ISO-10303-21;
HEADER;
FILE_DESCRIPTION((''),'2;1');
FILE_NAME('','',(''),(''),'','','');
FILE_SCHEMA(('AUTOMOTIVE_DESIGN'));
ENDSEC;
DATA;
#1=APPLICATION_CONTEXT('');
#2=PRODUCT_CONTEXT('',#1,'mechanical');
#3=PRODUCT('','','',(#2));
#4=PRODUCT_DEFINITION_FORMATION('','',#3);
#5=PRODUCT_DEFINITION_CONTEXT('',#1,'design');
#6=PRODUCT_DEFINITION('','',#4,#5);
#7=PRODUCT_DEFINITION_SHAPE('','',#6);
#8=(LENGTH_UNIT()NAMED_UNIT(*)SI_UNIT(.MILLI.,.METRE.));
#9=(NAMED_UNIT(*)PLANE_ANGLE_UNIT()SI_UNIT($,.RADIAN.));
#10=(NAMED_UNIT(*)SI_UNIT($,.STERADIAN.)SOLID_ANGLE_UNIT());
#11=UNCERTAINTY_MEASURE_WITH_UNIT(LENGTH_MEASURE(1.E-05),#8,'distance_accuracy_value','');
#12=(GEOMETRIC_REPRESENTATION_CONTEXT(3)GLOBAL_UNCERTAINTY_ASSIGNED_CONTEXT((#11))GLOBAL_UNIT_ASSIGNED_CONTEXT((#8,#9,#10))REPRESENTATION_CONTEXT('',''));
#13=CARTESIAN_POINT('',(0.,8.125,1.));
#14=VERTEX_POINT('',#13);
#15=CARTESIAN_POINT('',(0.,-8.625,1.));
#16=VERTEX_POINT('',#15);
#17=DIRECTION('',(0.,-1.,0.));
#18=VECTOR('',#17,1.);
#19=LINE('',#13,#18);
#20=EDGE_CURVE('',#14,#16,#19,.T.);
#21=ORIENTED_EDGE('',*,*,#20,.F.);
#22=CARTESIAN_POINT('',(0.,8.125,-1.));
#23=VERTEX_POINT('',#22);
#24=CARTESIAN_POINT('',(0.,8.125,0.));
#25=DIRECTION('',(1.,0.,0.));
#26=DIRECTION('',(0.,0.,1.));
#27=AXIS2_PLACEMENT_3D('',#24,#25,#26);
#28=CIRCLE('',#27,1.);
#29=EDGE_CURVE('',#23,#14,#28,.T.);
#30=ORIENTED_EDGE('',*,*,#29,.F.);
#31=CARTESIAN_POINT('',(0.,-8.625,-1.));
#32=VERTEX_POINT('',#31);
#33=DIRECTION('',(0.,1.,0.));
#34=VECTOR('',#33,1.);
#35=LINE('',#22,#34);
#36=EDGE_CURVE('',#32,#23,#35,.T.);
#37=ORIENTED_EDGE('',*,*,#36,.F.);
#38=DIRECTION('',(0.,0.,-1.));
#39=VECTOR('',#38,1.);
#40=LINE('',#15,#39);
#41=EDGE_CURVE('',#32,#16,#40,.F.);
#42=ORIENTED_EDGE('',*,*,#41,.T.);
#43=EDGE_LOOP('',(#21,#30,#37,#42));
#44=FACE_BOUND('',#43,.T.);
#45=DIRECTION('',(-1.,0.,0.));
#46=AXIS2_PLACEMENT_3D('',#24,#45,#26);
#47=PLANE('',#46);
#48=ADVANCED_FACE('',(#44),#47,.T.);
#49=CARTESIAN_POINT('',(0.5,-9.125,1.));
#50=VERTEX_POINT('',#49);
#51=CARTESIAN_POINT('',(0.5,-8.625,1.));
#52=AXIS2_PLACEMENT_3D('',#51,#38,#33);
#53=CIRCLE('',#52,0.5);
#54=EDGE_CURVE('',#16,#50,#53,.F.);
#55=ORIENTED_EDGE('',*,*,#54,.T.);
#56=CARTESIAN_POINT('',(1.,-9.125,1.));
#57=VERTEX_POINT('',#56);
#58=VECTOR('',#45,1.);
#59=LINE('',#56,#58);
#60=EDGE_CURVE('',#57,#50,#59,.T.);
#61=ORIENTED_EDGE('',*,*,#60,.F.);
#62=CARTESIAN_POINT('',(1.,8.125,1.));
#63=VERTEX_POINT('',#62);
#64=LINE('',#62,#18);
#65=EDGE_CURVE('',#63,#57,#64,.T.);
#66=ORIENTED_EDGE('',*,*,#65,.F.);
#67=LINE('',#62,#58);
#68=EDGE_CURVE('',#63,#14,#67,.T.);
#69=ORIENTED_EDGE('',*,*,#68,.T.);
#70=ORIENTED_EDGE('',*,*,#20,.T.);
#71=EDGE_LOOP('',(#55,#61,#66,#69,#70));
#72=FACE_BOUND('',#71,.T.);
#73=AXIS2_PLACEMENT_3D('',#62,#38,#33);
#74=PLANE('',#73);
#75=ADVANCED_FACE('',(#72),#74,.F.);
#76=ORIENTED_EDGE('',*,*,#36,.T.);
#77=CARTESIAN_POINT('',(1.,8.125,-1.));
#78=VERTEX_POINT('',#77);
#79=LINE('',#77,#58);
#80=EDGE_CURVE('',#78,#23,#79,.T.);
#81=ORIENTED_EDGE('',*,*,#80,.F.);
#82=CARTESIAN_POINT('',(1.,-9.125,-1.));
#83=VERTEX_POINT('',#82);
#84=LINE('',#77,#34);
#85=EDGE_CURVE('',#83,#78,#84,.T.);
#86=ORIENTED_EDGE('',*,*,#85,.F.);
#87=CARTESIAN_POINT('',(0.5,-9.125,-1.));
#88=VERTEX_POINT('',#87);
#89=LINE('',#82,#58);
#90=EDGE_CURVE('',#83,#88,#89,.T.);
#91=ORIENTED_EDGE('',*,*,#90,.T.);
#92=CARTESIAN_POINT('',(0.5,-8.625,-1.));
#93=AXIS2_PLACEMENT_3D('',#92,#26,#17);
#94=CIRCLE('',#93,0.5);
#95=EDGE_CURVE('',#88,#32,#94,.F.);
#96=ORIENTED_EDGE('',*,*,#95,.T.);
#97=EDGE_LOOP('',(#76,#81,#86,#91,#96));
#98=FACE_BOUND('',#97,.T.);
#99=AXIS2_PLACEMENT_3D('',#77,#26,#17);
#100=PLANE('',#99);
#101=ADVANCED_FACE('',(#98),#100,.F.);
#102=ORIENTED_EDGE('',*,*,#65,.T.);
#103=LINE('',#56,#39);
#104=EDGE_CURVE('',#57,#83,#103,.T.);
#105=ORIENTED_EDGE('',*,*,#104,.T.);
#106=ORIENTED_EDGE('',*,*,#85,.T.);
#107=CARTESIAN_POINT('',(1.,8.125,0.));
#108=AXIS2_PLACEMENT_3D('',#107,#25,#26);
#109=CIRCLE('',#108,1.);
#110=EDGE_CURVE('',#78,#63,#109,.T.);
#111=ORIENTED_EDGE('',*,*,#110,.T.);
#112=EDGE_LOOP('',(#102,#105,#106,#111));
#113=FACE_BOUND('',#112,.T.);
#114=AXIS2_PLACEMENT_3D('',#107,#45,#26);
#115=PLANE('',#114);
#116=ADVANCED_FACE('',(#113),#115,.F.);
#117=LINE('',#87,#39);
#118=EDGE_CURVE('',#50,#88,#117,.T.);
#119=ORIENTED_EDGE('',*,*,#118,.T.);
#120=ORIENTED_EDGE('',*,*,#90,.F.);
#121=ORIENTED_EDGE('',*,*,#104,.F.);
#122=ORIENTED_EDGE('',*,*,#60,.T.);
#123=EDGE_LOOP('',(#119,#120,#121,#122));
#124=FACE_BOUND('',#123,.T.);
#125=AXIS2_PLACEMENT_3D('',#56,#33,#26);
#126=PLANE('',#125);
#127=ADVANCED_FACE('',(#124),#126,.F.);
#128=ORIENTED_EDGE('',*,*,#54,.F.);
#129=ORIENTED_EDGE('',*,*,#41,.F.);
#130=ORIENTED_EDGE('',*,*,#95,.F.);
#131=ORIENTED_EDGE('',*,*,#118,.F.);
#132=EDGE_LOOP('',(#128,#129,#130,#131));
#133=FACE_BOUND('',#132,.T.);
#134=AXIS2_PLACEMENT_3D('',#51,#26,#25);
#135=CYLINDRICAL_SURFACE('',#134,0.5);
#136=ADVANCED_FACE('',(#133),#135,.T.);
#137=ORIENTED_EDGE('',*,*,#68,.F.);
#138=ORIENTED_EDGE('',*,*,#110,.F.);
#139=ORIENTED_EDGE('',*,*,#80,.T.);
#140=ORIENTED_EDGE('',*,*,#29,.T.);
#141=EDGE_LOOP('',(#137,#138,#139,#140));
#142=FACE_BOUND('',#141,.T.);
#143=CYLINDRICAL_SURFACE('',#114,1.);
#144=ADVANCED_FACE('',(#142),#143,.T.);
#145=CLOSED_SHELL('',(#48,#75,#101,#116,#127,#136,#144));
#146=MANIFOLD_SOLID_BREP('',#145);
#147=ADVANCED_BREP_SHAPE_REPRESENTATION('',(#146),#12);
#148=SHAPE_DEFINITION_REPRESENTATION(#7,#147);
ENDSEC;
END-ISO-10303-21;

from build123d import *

# Parameters (mm, degrees)
BOSS_EXTRUDE1_DEPTH = 1
FILLET4_R           = 0.5


with BuildPart() as part:
    # Sketch1 → Boss-Extrude1 (new body)
    with BuildSketch(Plane(origin=(0, 0, 0), x_dir=(0, 0, -1), z_dir=(1, 0, 0))):
        with BuildLine():
            Line((-1, 8.125), (-1, -9.125))
            Line((-1, -9.125), (1, -9.125))
            Line((1, -9.125), (1, 8.125))
            ThreePointArc((1, 8.125), (0, 9.125), (-1, 8.125))
        make_face()
    extrude(amount=BOSS_EXTRUDE1_DEPTH)

    # Fillet4
    fillet4_edges = [part.edges().sort_by_distance(p)[0] for p in [
        (0, -9.125, 0),
    ]]
    fillet(fillet4_edges, radius=FILLET4_R)


solid = part.part
